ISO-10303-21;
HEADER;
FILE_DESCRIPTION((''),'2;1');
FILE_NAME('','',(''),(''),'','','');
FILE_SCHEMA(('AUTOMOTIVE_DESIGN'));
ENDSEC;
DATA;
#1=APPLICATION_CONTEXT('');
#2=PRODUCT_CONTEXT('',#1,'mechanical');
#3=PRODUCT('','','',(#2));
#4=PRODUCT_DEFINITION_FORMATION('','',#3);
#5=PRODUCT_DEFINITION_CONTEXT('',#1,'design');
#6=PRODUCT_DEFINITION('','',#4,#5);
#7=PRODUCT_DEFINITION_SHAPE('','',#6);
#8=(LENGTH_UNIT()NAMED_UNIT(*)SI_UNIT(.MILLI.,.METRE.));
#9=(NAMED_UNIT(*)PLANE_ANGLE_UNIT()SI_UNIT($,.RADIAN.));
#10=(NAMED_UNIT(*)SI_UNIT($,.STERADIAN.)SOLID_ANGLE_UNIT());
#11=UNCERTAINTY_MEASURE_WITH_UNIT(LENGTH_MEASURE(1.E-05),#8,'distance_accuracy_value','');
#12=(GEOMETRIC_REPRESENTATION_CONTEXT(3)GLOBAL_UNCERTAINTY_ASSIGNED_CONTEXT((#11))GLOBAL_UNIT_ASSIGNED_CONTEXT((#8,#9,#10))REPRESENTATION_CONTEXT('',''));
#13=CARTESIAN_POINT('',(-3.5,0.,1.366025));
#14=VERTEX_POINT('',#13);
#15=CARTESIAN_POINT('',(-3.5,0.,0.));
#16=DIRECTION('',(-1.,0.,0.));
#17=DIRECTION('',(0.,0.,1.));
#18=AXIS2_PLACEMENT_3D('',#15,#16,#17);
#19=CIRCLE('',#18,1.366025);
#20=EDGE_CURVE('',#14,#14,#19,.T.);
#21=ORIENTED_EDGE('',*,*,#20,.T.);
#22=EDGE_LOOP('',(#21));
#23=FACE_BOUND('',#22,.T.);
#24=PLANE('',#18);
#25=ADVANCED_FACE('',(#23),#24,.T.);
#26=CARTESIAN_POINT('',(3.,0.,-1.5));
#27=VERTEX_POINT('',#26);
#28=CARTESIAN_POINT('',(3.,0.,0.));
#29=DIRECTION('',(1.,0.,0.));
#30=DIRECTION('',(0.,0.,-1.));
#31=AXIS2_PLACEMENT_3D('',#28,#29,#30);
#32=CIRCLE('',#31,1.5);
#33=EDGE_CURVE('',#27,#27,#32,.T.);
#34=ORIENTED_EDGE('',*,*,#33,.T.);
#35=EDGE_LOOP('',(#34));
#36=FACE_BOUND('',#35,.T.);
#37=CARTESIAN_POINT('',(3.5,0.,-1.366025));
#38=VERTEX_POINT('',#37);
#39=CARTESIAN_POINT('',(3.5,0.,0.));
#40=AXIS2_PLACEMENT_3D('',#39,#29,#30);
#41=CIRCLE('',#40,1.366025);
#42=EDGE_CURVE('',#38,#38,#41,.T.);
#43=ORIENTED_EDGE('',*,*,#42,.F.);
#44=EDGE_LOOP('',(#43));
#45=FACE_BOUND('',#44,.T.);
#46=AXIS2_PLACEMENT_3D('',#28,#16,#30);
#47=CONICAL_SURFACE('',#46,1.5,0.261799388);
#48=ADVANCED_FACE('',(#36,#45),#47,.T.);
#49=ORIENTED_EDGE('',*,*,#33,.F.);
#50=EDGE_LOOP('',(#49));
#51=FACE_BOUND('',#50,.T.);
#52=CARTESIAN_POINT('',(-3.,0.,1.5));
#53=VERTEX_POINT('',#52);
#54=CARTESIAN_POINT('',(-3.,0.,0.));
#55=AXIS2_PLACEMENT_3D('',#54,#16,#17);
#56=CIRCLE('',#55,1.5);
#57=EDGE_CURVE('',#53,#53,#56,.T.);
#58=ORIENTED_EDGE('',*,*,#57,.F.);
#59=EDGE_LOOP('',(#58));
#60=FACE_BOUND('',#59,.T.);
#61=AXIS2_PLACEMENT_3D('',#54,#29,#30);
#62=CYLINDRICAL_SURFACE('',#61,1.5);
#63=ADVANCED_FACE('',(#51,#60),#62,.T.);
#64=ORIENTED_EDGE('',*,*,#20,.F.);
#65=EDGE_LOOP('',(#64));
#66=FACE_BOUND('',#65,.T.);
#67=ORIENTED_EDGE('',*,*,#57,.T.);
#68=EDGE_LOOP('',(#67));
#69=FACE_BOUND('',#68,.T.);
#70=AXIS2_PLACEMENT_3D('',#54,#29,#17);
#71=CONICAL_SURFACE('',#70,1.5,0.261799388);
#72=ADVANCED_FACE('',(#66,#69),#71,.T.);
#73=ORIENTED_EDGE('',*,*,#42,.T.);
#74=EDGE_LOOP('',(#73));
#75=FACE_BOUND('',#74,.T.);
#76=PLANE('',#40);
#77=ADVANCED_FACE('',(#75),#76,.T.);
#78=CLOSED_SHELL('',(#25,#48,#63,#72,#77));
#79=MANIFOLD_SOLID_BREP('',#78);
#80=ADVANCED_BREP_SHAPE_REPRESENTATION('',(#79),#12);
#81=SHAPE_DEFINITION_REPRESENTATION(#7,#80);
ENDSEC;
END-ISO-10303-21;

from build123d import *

# Parameters (mm, degrees)
EXTRUDE1_DEPTH      = 3
EXTRUDE1_DEPTH_BACK = 3
SKETCH2_R           = 1.5
SKETCH3_R           = 1.5
EXTRUDE2_DEPTH      = 0.5
EXTRUDE2_TAPER      = 15
SKETCH4_R           = 1.5
EXTRUDE3_DEPTH      = 0.5
EXTRUDE3_TAPER      = 15


with BuildPart() as part:
    # Sketch2 → Extrude1 (new, two sides: drawn at the far end of the back side and taken through both)
    with BuildSketch(Plane(origin=(0, 0, 0), x_dir=(0, 0, -1), z_dir=(1, 0, 0)).offset(-EXTRUDE1_DEPTH_BACK)):
        Circle(SKETCH2_R)
    extrude(amount=EXTRUDE1_DEPTH + EXTRUDE1_DEPTH_BACK)

    # Sketch3 → Extrude2 (add)
    with BuildSketch(Plane(origin=(3, 0, 0), x_dir=(0, 0, -1), z_dir=(1, 0, 0))):
        Circle(SKETCH3_R)
    extrude(amount=EXTRUDE2_DEPTH, taper=EXTRUDE2_TAPER)

    # Sketch4 → Extrude3 (add)
    with BuildSketch(Plane.ZY.offset(3)):
        with Locations(Location((0, 0, 0), (0, 0, 180))):
            Circle(SKETCH4_R)
    extrude(amount=EXTRUDE3_DEPTH, taper=EXTRUDE3_TAPER)


solid = part.part
